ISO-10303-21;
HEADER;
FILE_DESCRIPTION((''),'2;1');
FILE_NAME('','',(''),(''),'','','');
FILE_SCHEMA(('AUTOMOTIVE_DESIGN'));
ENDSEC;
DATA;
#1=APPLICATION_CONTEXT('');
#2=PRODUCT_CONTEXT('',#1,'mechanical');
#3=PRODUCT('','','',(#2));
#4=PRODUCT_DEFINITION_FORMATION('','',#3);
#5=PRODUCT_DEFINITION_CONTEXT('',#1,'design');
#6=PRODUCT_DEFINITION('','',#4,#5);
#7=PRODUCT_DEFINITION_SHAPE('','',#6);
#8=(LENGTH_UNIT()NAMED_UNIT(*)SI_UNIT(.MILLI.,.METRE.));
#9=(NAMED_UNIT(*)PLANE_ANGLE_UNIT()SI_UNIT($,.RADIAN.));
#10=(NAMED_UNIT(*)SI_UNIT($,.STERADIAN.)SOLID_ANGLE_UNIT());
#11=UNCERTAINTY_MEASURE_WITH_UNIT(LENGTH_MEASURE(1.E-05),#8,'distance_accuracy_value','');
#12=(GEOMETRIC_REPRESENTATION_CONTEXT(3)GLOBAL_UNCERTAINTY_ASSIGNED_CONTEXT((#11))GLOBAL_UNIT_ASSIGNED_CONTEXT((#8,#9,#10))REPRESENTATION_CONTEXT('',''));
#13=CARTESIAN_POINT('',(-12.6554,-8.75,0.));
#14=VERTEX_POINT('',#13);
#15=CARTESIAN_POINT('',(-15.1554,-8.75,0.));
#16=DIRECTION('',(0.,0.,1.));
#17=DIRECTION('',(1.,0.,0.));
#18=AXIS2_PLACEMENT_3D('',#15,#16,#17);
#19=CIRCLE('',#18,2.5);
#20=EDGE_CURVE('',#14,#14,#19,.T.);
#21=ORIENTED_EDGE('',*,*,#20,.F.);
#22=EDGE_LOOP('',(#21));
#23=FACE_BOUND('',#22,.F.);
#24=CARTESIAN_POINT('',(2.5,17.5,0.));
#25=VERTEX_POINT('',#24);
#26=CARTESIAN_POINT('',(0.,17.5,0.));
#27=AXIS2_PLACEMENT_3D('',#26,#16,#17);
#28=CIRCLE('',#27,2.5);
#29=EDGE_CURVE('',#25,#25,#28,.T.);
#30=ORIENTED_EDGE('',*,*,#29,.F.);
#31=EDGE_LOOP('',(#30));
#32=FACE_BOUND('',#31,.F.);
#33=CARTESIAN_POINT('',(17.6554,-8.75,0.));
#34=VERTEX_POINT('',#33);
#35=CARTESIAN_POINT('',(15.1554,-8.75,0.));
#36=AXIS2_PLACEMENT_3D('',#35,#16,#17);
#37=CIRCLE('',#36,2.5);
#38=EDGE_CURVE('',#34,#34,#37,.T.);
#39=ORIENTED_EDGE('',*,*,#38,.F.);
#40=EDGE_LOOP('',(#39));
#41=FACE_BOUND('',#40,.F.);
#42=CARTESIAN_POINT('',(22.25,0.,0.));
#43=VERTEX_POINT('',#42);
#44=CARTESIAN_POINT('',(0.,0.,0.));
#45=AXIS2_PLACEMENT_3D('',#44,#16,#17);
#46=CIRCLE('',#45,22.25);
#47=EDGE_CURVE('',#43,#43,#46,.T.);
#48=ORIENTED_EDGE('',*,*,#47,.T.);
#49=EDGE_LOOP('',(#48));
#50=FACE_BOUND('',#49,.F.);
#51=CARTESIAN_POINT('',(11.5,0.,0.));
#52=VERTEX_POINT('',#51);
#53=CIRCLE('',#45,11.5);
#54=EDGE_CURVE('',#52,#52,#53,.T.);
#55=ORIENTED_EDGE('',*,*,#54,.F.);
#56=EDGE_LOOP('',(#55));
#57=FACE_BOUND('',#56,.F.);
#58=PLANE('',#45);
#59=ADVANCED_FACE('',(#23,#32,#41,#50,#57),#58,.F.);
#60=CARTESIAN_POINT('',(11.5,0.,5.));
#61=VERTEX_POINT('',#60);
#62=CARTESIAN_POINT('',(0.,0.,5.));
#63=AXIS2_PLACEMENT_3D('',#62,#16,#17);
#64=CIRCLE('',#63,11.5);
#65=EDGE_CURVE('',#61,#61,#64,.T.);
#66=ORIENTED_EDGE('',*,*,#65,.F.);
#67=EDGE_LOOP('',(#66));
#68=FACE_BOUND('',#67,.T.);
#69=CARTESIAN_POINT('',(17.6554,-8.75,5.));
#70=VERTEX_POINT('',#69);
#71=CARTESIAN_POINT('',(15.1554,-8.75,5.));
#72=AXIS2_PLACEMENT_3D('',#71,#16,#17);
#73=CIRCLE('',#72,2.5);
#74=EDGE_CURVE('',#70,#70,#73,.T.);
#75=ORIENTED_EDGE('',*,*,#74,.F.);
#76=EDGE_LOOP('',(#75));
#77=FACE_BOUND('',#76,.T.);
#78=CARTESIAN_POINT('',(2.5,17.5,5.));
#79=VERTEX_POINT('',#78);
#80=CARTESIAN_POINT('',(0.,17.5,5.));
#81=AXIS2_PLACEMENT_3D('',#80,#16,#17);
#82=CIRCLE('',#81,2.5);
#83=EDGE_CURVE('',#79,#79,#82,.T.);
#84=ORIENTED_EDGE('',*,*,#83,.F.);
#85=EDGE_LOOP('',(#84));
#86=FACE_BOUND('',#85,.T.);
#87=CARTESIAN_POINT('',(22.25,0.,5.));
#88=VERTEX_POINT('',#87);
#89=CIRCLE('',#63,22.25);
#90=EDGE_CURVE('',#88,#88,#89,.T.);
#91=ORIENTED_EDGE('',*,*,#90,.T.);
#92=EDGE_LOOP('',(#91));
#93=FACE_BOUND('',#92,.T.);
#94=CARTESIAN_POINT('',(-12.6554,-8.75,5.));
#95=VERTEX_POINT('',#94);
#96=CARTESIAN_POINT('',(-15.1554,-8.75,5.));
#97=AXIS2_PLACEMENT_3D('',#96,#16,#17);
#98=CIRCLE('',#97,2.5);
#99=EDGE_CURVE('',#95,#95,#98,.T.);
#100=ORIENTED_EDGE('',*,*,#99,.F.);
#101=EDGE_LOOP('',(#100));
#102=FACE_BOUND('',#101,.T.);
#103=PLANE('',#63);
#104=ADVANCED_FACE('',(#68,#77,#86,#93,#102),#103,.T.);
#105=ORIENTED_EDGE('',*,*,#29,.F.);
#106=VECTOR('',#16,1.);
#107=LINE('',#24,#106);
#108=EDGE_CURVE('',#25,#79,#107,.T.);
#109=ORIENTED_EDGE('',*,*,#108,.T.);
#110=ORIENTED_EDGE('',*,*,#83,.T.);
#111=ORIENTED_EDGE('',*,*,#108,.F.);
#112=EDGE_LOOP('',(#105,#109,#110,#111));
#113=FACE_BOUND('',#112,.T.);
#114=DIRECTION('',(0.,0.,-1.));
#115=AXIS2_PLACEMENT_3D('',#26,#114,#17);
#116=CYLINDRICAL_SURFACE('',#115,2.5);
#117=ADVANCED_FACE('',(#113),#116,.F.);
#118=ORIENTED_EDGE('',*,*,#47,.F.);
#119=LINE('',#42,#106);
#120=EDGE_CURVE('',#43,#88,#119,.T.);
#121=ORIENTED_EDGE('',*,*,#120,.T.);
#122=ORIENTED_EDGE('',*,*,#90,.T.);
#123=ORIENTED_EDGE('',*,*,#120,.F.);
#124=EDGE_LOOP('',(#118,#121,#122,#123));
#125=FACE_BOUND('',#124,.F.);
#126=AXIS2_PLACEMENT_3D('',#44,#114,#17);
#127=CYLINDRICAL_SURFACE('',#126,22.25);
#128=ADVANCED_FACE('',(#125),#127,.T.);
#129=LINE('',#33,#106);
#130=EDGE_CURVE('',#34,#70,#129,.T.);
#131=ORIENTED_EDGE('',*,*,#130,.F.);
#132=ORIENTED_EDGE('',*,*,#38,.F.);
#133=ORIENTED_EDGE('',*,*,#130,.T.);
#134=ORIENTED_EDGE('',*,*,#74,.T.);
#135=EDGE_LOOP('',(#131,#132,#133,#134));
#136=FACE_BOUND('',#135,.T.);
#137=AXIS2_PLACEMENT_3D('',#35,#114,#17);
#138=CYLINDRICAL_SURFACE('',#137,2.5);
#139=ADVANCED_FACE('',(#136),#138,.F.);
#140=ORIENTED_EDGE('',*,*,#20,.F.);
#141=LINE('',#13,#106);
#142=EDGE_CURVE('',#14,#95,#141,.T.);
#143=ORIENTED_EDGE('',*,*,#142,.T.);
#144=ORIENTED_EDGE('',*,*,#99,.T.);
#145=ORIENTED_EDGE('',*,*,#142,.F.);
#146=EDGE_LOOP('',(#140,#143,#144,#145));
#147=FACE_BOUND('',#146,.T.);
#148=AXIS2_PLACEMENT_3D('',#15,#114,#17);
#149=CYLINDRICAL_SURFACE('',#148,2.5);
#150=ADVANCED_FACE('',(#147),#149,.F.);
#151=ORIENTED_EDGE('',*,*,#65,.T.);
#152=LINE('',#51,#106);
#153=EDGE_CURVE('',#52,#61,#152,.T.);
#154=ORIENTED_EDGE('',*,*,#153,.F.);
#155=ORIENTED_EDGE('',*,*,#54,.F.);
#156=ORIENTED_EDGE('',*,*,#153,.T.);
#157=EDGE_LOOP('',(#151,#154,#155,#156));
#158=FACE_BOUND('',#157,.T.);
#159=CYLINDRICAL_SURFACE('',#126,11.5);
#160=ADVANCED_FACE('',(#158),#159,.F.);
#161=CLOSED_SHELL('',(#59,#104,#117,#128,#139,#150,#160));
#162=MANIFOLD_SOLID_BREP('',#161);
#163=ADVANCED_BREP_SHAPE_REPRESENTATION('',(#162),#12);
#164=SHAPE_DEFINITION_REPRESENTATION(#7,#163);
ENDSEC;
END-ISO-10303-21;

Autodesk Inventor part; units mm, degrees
ref_plane "YZ Plane" through (0, 0, 0) normal (1, 0, 0) x (0, 1, 0)
ref_plane "XZ Plane" through (0, 0, 0) normal (0, 1, 0) x (-1, 0, 0)
ref_plane "XY Plane" through (0, 0, 0) normal (0, 0, 1) x (1, 0, 0)
sketch "Sketch1" plane through (0, 0, 0) normal (0, 0, 1) x (1, 0, 0)
  circle A0 centre (0, 0) radius 11.5
  circle A1 centre (0, 0) radius 22.25
  circle A2 centre (0, 17.5) radius 2.5
  circle A3 centre (-15.1554, -8.75) radius 2.5
  circle A4 centre (15.1554, -8.75) radius 2.5
  dimension "d0" = 23
  dimension "d1" = 44.5
  dimension "d2" = 5
  dimension "d3" = 17.5
  dimension "d6" = 360
extrude "Extrusion1" add sketch "Sketch1" along normal blind 5
properties part number "TA06" material "ABS Plastic"
